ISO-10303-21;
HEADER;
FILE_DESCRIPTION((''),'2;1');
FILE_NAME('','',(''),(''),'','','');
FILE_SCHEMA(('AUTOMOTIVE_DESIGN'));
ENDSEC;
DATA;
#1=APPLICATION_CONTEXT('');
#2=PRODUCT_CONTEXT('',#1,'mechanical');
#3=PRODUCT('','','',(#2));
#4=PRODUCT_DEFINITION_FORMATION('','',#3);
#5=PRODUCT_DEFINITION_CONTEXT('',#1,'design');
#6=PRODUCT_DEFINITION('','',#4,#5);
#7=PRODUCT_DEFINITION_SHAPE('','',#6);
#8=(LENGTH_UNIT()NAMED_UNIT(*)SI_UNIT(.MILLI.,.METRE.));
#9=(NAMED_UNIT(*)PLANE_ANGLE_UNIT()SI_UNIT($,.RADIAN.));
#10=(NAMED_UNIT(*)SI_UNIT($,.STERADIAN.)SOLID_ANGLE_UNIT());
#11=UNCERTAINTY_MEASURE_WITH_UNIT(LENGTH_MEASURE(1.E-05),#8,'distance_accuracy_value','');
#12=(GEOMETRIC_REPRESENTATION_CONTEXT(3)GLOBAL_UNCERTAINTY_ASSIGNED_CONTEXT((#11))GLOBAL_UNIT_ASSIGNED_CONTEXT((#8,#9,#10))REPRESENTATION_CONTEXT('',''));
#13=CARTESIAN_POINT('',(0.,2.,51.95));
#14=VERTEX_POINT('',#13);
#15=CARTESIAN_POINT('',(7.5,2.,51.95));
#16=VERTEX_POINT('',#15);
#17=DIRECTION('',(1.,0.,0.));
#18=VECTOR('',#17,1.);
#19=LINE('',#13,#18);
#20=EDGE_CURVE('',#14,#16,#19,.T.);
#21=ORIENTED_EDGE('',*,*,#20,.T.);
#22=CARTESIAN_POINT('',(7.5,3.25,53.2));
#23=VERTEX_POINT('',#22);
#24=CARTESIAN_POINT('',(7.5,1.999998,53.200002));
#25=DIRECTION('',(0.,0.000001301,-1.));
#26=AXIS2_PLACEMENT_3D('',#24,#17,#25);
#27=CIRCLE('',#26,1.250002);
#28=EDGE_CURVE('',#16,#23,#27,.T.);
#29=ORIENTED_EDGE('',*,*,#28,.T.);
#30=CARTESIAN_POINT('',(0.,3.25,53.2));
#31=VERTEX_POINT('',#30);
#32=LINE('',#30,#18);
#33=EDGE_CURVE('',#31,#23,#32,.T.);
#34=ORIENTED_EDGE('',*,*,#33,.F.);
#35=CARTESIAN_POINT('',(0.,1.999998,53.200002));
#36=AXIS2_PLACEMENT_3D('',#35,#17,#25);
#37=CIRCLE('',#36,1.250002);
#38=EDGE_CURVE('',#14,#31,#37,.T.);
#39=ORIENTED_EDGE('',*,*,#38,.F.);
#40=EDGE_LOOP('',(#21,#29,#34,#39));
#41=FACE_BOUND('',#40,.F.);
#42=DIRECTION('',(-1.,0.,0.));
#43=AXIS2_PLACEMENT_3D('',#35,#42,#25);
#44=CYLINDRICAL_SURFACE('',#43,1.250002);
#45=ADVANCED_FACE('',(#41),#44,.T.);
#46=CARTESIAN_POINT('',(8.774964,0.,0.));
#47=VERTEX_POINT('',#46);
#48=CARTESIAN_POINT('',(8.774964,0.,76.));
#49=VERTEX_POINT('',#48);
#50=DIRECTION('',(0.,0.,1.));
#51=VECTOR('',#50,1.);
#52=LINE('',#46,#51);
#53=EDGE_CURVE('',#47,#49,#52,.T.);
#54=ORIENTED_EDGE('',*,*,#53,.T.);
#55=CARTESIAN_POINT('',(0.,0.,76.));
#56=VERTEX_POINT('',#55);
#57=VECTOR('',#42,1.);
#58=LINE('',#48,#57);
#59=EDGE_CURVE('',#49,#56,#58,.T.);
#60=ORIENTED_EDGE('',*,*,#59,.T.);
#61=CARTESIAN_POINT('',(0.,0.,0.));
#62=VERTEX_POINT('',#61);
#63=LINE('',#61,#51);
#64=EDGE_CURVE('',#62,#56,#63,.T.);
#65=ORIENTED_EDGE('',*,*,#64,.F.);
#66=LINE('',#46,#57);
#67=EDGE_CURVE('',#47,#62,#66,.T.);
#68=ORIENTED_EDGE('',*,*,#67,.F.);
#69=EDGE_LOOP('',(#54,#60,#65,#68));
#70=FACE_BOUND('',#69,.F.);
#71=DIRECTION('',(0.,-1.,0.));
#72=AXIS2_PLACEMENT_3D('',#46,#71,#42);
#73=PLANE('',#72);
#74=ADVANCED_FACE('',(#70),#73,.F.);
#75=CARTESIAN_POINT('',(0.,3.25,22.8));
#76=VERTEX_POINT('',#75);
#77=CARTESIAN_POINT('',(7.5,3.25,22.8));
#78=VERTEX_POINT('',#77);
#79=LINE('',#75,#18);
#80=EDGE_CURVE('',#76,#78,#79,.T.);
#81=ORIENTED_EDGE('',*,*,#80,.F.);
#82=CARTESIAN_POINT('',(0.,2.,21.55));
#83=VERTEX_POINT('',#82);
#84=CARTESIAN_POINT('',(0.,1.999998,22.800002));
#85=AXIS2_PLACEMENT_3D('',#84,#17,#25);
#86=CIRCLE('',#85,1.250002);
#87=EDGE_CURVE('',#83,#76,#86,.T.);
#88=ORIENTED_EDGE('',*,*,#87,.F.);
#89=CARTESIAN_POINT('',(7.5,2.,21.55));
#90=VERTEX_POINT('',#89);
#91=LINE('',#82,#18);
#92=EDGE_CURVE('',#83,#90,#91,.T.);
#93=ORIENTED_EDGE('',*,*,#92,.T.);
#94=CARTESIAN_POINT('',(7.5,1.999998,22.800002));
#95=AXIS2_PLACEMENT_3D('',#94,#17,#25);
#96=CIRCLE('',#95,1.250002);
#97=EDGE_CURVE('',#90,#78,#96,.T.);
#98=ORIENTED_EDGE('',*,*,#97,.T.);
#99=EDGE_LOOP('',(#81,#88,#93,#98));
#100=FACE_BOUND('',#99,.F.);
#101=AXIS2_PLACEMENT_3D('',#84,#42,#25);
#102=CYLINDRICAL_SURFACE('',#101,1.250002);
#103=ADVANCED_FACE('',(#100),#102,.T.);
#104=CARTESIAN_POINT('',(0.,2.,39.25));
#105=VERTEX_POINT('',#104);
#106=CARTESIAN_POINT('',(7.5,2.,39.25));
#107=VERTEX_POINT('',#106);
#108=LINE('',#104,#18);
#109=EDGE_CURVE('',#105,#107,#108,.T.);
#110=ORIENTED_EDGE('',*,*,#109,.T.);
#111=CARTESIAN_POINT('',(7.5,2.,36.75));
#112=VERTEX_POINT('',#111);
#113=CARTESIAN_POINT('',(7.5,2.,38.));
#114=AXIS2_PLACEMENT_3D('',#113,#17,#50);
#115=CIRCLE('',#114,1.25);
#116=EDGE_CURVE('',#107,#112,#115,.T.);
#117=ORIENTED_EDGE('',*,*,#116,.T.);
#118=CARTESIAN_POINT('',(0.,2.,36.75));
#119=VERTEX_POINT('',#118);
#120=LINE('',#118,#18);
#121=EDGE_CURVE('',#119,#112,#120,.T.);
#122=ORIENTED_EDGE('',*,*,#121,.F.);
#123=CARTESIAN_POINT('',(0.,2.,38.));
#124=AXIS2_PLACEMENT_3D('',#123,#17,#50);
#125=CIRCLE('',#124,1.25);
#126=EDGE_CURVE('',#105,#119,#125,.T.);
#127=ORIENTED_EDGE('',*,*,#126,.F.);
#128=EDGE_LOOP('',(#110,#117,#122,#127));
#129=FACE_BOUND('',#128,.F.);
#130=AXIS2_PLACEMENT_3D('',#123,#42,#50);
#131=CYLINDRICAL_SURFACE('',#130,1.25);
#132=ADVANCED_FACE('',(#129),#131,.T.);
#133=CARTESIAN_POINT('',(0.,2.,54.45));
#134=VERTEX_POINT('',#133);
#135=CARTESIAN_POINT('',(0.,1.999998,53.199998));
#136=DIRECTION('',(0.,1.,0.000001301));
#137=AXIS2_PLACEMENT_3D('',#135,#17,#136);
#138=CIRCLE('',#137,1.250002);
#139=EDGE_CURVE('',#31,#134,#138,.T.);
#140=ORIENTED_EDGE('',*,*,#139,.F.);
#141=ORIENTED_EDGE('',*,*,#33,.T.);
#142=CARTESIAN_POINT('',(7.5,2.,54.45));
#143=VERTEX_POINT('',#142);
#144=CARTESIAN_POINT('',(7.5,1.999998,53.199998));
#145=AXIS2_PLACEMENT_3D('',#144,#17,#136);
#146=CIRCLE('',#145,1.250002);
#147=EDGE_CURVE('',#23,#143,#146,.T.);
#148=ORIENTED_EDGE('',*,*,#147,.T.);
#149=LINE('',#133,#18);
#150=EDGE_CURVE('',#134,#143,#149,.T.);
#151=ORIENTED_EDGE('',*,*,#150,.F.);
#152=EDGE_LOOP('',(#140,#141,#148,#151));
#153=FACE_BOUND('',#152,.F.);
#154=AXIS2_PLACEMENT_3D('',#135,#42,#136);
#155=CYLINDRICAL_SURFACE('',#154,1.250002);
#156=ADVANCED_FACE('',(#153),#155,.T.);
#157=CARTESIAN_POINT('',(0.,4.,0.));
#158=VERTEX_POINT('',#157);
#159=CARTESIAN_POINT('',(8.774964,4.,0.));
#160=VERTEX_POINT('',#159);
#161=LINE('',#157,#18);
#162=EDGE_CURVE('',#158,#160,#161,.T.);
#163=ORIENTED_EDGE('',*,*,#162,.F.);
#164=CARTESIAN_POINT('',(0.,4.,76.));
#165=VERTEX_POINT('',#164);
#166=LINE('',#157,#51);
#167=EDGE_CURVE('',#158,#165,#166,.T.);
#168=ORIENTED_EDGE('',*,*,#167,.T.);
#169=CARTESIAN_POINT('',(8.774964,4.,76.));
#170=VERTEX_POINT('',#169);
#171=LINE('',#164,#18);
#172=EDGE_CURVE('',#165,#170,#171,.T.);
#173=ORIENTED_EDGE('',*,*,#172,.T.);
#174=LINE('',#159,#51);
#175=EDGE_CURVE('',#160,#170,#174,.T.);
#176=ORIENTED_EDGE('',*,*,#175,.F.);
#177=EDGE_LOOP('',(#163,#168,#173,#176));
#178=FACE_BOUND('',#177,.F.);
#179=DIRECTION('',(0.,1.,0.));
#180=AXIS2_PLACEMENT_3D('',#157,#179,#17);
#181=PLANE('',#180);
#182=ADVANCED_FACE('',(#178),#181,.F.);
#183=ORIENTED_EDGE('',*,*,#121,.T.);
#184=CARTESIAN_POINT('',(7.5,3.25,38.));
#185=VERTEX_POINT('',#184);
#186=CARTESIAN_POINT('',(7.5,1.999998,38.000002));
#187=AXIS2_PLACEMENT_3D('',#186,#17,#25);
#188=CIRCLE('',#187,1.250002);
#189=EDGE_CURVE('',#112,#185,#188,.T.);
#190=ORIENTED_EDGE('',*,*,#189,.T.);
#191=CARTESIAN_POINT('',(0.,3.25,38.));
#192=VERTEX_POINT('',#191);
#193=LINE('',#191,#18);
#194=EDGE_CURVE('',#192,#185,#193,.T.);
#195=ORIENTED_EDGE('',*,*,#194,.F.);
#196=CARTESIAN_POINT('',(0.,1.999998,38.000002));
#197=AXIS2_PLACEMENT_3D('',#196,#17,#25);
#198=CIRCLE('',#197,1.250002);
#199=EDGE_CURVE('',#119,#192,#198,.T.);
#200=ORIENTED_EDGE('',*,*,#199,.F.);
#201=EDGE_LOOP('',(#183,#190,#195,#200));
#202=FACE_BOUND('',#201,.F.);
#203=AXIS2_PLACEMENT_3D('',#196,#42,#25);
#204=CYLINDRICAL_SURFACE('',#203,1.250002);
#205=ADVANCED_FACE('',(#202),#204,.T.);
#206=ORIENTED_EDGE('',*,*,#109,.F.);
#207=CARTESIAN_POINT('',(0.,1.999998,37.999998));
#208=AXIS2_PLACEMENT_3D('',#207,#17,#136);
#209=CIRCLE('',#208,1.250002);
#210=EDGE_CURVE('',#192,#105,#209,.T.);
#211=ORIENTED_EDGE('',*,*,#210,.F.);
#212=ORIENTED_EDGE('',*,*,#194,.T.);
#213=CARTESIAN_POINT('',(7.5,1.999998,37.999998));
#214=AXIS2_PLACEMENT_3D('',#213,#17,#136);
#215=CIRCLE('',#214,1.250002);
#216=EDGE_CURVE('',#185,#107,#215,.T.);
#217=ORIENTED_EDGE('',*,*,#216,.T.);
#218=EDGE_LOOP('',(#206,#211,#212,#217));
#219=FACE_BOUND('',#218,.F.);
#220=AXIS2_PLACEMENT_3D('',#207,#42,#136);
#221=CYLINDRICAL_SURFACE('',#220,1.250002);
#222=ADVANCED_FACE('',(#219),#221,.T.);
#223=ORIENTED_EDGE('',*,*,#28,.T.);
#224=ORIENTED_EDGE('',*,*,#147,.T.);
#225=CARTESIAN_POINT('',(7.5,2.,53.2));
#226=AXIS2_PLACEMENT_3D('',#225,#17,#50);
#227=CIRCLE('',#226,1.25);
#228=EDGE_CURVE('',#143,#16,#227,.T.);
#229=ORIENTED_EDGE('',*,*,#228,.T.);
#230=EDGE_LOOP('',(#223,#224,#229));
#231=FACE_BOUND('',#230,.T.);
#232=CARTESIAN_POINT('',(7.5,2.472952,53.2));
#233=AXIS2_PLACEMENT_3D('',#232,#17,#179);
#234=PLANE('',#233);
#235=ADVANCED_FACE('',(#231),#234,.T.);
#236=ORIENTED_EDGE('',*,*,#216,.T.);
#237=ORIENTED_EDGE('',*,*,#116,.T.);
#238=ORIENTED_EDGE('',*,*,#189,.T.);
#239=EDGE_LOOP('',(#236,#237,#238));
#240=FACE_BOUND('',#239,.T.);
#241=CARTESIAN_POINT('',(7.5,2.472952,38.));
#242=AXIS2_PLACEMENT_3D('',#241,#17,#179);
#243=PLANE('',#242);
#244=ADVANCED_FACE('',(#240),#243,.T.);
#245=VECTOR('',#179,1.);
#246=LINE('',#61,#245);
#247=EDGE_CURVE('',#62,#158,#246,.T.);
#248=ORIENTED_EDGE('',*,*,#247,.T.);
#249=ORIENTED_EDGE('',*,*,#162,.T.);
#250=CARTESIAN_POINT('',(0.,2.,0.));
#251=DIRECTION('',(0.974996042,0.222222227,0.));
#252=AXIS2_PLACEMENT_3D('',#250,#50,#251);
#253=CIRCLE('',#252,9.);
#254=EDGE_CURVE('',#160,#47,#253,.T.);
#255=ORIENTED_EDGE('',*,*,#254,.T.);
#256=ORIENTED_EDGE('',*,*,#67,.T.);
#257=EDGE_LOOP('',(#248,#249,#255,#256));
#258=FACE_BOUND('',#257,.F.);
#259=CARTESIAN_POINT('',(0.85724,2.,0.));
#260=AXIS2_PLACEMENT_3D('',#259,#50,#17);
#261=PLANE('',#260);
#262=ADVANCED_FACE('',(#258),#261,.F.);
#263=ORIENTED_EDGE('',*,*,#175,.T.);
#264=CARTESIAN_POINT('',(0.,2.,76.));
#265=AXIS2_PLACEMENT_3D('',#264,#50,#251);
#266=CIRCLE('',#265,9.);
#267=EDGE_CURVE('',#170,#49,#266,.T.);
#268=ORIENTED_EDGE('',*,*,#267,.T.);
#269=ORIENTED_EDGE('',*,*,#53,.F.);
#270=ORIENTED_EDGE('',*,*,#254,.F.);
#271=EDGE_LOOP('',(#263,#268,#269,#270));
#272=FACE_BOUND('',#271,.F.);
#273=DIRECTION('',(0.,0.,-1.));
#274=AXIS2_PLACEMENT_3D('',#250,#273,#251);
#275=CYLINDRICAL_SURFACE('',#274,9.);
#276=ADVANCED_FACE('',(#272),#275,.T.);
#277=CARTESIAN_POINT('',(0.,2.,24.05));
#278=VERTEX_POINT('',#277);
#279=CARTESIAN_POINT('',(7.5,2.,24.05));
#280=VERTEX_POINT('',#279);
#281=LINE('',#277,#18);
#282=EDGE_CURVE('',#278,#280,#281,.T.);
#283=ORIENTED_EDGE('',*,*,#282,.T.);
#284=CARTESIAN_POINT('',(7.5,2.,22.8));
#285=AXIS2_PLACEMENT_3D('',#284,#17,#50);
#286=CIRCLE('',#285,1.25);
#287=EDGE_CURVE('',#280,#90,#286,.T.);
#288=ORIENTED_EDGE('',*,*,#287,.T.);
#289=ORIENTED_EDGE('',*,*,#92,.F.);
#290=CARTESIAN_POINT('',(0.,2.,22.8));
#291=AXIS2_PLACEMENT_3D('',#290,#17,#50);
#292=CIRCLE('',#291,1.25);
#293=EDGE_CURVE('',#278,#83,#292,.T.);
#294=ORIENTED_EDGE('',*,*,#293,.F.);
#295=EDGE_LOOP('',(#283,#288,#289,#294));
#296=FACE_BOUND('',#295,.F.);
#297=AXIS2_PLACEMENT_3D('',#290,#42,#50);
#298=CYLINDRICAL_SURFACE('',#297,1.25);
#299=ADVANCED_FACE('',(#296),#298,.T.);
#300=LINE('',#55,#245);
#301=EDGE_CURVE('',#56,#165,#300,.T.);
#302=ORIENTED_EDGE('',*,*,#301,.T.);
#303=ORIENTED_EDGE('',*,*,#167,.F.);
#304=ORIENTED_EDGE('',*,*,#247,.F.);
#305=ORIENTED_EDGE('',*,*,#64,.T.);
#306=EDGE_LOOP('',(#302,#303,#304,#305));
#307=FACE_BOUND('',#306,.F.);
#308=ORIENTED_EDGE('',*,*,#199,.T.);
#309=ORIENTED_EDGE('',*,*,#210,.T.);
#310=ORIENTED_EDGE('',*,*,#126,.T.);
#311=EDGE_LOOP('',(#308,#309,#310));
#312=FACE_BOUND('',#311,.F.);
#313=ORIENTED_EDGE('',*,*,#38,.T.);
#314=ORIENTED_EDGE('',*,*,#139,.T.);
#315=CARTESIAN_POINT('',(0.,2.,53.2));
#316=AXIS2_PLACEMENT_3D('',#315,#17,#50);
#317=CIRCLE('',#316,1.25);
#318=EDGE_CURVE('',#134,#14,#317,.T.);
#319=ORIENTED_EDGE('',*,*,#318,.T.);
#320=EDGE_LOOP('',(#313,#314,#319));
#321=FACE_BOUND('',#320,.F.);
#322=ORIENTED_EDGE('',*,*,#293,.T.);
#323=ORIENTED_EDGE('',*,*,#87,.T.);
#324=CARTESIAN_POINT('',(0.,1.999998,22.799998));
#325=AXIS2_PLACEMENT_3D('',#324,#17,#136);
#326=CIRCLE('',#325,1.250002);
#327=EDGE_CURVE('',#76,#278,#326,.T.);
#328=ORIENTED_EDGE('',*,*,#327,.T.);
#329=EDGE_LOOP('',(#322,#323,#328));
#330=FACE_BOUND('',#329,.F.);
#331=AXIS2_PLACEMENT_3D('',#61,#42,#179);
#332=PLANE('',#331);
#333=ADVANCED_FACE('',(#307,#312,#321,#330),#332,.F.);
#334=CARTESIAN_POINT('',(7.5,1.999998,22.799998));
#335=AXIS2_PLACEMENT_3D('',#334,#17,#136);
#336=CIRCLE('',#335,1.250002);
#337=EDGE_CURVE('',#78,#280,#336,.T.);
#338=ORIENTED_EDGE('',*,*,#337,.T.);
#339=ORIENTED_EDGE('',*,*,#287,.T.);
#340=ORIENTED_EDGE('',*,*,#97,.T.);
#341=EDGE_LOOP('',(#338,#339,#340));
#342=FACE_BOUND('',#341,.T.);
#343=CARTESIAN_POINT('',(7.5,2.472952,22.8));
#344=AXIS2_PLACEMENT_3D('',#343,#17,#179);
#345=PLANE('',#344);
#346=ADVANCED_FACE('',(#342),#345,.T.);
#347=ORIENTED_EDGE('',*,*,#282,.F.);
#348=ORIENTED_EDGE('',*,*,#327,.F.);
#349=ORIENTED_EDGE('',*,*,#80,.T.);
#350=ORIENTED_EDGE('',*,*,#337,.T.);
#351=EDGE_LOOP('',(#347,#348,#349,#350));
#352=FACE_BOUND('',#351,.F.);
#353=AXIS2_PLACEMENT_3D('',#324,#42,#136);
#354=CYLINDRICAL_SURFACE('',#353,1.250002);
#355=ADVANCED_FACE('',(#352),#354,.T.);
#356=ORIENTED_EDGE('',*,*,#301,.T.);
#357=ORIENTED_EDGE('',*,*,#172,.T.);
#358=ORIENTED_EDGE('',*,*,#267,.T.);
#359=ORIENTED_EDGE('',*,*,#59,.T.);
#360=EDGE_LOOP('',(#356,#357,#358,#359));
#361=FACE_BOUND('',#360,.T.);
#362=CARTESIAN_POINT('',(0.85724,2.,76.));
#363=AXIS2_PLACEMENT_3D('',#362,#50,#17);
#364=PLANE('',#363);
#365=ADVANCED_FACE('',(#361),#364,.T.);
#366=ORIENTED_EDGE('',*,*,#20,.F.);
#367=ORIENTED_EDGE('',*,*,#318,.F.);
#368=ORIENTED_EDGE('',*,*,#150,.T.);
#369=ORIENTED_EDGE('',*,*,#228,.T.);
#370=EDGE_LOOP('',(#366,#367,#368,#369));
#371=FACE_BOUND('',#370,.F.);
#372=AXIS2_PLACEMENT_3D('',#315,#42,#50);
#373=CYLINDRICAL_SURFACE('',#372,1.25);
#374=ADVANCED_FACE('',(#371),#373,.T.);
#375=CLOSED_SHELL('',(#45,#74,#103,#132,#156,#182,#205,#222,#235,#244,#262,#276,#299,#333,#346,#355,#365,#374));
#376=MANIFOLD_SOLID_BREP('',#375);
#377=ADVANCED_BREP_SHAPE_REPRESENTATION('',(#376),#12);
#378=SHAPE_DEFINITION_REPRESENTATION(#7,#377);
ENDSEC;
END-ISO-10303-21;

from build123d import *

# Parameters (mm, degrees)
F1_DEPTH = 76
F3_DEPTH = 7.5


with BuildPart() as f1:
    # F0 (on Top) → F1 (new body)
    with BuildSketch(Plane.XY):
        with BuildLine():
            Line((0, 4), (8.774964, 4))
            ThreePointArc((8.774964, 4), (-9, 2), (8.774964, 0))
            Line((8.774964, 0), (0, 0))
            Line((0, 0), (0, 2))
            Line((0, 2), (0, 4))
        make_face()
    extrude(amount=F1_DEPTH)

    # F2 (on face) → F3 (join)
    with BuildSketch(Plane.YZ):
        with BuildLine():
            Line((2, 54.45), (2, 53.2))
            Line((2, 53.2), (2, 51.95))
            ThreePointArc((2, 51.95), (2.883883, 52.316117), (3.25, 53.2))
            ThreePointArc((3.25, 53.2), (2.883883, 54.083883), (2, 54.45))
        make_face()
        with BuildLine():
            Line((2, 51.95), (2, 53.2))
            Line((2, 53.2), (2, 54.45))
            ThreePointArc((2, 54.45), (0.75, 53.2), (2, 51.95))
        make_face()
        with BuildLine():
            ThreePointArc((3.25, 22.8), (2.883883, 23.683883), (2, 24.05))
            Line((2, 24.05), (2, 22.8))
            Line((2, 22.8), (2, 21.55))
            ThreePointArc((2, 21.55), (2.883883, 21.916117), (3.25, 22.8))
        make_face()
        with BuildLine():
            Line((2, 22.8), (2, 24.05))
            ThreePointArc((2, 24.05), (0.75, 22.8), (2, 21.55))
            Line((2, 21.55), (2, 22.8))
        make_face()
        with BuildLine():
            ThreePointArc((3.25, 38), (2.883883, 38.883883), (2, 39.25))
            Line((2, 39.25), (2, 38))
            Line((2, 38), (2, 36.75))
            ThreePointArc((2, 36.75), (2.883883, 37.116117), (3.25, 38))
        make_face()
        with BuildLine():
            Line((2, 38), (2, 39.25))
            ThreePointArc((2, 39.25), (0.75, 38), (2, 36.75))
            Line((2, 36.75), (2, 38))
        make_face()
    extrude(amount=F3_DEPTH)


solid = f1.part
